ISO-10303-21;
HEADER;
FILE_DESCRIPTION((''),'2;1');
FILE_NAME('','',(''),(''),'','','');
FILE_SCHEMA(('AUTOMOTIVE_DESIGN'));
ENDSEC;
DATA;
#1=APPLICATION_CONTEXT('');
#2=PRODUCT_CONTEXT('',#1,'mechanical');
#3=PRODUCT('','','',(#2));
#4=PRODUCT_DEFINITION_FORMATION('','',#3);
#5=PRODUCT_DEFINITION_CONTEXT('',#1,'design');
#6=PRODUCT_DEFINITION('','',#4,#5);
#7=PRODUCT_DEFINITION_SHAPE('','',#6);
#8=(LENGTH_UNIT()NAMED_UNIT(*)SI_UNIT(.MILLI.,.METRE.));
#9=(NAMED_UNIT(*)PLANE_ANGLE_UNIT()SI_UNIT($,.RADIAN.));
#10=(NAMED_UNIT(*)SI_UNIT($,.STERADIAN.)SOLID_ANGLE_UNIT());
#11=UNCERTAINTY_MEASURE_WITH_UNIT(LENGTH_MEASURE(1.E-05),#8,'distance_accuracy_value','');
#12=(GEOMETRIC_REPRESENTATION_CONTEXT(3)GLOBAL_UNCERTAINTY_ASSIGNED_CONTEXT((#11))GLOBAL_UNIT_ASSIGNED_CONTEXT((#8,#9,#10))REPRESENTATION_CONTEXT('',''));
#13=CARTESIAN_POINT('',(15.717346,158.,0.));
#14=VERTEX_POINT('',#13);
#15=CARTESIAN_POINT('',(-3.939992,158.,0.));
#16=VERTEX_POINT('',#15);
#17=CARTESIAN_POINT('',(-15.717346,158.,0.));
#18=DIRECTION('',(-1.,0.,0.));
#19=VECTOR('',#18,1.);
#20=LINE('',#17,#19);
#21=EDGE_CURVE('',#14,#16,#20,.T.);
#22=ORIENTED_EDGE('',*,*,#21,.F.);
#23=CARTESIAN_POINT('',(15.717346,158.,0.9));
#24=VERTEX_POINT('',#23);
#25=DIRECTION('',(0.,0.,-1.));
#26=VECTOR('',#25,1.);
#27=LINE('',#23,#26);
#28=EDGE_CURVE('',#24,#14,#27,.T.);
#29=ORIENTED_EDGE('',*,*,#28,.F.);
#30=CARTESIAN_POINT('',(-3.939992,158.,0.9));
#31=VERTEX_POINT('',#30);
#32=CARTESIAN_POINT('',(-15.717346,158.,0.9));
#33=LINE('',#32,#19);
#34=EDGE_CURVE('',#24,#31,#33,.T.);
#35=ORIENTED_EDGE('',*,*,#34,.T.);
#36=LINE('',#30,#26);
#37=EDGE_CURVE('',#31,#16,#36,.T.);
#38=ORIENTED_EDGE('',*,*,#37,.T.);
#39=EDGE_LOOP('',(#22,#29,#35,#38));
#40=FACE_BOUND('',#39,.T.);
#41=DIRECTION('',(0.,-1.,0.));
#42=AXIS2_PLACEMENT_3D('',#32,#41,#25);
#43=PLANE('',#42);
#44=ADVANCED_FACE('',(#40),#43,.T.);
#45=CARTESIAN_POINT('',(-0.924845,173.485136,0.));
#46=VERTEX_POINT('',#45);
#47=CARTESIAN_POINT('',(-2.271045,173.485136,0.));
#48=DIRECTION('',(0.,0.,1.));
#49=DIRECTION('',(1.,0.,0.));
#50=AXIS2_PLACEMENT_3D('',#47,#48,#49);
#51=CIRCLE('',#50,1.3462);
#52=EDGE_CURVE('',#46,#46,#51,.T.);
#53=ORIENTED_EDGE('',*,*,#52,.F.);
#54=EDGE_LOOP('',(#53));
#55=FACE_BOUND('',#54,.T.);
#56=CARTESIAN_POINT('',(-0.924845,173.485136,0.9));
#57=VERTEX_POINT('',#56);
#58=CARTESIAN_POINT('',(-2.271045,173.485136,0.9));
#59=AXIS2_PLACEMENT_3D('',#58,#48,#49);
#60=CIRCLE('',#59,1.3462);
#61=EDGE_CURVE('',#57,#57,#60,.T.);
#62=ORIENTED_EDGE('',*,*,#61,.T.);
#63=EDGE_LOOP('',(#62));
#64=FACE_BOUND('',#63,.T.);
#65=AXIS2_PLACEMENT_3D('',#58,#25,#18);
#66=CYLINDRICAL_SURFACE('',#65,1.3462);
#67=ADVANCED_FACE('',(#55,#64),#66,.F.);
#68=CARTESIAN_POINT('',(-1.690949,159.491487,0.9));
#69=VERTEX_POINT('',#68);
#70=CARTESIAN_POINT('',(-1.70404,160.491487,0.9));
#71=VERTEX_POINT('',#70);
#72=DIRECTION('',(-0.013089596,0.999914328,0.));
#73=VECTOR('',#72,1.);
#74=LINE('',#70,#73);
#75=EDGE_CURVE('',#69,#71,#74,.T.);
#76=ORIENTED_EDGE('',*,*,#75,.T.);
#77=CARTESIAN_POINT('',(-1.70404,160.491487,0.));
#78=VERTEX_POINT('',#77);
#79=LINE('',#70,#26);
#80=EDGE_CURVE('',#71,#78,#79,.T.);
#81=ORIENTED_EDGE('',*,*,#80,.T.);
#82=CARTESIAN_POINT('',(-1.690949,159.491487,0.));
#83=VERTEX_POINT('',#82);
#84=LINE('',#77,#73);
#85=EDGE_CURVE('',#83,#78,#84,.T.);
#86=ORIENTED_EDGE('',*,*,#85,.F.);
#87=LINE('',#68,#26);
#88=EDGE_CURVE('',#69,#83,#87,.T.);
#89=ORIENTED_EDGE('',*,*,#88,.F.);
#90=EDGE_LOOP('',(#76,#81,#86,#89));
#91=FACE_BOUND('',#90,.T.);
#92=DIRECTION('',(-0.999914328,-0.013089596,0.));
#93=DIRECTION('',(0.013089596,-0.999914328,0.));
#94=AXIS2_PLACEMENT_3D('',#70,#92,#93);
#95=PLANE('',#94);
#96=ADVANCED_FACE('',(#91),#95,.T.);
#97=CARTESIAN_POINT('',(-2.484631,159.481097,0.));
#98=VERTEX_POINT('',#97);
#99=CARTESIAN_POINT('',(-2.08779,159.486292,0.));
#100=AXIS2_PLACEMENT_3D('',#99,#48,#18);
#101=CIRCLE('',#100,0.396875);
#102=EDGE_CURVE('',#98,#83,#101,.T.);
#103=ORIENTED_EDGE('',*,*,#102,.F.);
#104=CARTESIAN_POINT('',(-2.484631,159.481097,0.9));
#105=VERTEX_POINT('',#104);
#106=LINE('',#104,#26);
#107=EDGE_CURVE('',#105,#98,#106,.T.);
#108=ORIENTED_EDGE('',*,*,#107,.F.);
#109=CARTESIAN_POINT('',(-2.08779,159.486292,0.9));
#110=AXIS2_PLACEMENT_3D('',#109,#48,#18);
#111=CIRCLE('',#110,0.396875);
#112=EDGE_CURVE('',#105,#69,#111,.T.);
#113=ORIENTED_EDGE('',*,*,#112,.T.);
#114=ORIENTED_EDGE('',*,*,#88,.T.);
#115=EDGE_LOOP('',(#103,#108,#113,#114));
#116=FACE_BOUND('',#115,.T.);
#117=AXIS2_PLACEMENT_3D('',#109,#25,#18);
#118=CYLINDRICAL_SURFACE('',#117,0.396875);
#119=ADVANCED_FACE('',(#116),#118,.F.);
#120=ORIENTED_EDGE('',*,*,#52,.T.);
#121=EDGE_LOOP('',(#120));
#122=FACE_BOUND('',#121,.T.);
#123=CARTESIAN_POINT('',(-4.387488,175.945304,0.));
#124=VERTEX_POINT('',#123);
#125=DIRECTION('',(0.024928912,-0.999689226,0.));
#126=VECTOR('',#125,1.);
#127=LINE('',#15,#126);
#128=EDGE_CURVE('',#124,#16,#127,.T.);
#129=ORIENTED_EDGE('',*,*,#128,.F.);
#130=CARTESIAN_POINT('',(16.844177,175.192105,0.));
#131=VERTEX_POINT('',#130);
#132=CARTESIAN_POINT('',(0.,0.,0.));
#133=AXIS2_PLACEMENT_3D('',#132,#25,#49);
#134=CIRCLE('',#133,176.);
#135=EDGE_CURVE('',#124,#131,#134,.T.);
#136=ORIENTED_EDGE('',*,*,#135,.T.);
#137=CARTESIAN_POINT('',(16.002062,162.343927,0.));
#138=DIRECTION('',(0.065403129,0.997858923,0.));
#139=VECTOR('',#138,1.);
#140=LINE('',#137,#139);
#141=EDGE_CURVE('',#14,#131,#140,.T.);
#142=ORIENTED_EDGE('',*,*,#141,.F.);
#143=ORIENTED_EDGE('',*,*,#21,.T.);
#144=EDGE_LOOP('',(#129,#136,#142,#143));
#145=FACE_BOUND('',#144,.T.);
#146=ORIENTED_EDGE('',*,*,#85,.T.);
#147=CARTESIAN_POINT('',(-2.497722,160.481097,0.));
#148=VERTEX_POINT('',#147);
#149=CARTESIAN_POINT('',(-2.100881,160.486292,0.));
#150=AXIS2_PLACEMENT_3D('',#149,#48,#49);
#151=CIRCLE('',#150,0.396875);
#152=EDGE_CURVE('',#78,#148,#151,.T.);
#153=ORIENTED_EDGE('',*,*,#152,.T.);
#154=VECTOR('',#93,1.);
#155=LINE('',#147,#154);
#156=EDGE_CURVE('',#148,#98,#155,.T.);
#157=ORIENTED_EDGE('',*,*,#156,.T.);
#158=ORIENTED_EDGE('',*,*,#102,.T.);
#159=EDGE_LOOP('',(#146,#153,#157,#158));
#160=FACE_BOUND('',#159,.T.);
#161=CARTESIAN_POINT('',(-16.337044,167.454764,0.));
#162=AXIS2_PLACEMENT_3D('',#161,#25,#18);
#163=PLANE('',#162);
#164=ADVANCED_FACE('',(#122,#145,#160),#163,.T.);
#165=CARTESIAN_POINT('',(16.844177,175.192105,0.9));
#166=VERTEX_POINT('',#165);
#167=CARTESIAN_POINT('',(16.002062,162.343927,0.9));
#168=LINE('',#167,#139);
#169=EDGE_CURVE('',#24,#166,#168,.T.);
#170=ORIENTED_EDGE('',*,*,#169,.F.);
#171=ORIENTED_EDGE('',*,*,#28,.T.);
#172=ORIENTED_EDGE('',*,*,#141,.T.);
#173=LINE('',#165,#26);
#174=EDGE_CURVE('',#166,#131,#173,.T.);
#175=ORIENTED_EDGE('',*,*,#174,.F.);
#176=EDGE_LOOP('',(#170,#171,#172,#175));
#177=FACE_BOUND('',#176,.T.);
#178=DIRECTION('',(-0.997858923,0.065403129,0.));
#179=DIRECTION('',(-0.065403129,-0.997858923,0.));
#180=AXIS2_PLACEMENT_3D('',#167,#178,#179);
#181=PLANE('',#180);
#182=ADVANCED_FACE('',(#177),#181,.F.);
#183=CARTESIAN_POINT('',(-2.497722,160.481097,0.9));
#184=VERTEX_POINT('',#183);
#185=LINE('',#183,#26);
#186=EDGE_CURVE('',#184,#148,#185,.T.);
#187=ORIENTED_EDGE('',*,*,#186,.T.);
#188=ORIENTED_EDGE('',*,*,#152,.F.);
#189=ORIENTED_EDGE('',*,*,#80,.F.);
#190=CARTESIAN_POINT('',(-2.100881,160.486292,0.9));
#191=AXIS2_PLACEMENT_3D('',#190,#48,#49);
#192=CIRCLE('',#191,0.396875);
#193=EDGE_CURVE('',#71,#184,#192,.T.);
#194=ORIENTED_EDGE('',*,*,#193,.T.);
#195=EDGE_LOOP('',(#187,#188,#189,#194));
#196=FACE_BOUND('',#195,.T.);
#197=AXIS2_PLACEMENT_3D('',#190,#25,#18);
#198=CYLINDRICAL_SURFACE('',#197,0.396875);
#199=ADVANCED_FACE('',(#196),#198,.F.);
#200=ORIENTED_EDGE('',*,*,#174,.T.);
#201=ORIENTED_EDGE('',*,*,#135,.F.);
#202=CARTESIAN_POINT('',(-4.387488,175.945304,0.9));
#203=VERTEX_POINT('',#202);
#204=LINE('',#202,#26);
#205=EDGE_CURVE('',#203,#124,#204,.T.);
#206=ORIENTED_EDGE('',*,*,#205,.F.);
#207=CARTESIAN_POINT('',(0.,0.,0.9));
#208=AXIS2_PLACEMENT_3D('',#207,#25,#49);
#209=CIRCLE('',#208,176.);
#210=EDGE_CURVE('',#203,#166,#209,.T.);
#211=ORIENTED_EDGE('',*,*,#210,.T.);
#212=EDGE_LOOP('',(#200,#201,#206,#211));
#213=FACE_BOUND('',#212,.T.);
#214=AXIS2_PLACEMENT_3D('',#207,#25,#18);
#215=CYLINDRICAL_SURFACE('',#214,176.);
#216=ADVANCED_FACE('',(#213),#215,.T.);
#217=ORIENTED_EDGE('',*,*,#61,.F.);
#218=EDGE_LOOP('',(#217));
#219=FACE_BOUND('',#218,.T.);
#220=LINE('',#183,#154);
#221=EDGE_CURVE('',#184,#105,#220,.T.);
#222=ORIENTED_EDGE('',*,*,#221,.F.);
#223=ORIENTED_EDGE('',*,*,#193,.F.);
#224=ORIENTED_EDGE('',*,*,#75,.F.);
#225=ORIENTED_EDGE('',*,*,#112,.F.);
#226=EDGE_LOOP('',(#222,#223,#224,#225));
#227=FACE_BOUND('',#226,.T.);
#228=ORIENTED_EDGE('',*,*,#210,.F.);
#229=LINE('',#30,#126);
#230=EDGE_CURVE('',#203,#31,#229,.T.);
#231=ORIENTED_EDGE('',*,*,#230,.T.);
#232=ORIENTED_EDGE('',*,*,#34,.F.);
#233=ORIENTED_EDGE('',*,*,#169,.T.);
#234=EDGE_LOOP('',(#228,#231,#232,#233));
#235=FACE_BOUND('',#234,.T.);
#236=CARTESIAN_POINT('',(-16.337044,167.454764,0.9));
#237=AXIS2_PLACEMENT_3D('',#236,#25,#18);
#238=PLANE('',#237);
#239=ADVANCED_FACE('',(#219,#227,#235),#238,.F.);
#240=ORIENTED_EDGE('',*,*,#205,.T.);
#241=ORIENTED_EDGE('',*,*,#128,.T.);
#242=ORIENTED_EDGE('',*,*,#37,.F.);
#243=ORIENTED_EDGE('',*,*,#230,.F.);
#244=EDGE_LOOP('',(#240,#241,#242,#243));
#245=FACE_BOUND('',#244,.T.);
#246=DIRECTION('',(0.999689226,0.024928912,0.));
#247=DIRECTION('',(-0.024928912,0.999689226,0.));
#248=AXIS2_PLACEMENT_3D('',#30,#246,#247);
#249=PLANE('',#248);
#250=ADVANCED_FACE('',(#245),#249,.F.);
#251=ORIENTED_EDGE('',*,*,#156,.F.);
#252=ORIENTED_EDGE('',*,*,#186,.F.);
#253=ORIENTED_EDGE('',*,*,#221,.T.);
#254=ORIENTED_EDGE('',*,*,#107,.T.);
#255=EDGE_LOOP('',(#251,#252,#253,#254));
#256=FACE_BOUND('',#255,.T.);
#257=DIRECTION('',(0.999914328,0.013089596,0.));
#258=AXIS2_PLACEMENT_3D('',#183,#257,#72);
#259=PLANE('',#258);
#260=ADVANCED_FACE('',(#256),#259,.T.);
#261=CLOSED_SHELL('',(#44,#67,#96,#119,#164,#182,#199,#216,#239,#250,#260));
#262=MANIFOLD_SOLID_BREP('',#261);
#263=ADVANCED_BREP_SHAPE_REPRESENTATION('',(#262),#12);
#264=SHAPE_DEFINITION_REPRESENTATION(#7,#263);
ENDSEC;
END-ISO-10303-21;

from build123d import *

# Parameters (mm, degrees)
EXTRUDE1_DEPTH     = 0.9
EXTRUDE2_DEPTH     = 0.9
SKETCH3_R          = 1.346200001
CUT_EXTRUDE2_DEPTH = 1.9
EXTRUDE3_DEPTH     = 1.9
CUT_EXTRUDE3_DEPTH = 1.9
FILLET1_R          = 0.5
CUT_EXTRUDE4_DEPTH = 1.9


with BuildPart() as part:
    # Sketch1 → Extrude1 (new body)
    with BuildSketch(Plane.XY):
        Polygon((-16.337044405, 167.45476352), (16.337044405, 167.45476352), (16.002062475, 162.343926895), (-16.002062475, 162.343926895), align=None)
    extrude(amount=EXTRUDE1_DEPTH)

    # Sketch2 → Extrude2 (add)
    with BuildSketch(Plane(origin=(0, 0, 0), x_dir=(-1, 0, 0), z_dir=(0, 0, -1))):
        with BuildLine():
            Line((16.84417657, 175.192105175), (15.717346464, 158))
            Line((15.717346464, 158), (-15.717346464, 158))
            Line((-15.717346464, 158), (-16.84417657, 175.192105175))
            ThreePointArc((-16.84417657, 175.192105175), (0, 176), (16.84417657, 175.192105175))
        make_face()
    extrude(amount=-EXTRUDE2_DEPTH)

    # Sketch3 → Cut-Extrude2 (cut, through all)
    with BuildSketch(Plane.XY):
        with Locations((-2.271044833, 173.485135834)):
            Circle(SKETCH3_R)
        with BuildLine():
            Line((-1.704039652, 160.491487345), (-1.690948935, 159.491487345))
            ThreePointArc((-1.690948935, 159.491487345), (-2.082595001, 159.089451413), (-2.484630933, 159.481097479))
            Line((-2.484630933, 159.481097479), (-2.49772165, 160.481097479))
            ThreePointArc((-2.49772165, 160.481097479), (-2.106075584, 160.883133411), (-1.704039652, 160.491487345))
        make_face()
    extrude(amount=CUT_EXTRUDE2_DEPTH, mode=Mode.SUBTRACT)

    # Sketch4 → Extrude3 (cut, through all)
    with BuildSketch(Plane.XY.offset(0.9)):
        with BuildLine():
            Line((-12, 175.590432541), (-12, 171))
            ThreePointArc((-12, 171), (-12.292893219, 170.292893219), (-13, 170))
            Line((-13, 170), (-16.503868017, 170))
            Line((-16.503868017, 170), (-16.84417657, 175.192105175))
            ThreePointArc((-16.84417657, 175.192105175), (-14.423463408, 175.407992131), (-12, 175.590432541))
        make_face()
    extrude(amount=-EXTRUDE3_DEPTH, mode=Mode.SUBTRACT)

    # Sketch5 → Cut-Extrude3 (cut, through all)
    with BuildSketch(Plane.XY.offset(0.9)):
        with BuildLine():
            Line((-5.934879033, 175.899906796), (-5.934879033, 173.754533822))
            Line((-5.934879033, 173.754533822), (-13.425811407, 173.754533822))
            Line((-13.425811407, 173.754533822), (-13.425811407, 175.487172147))
            ThreePointArc((-13.425811407, 175.487172147), (-9.682544658, 175.733458194), (-5.934879033, 175.899906796))
        make_face()
    extrude(amount=-CUT_EXTRUDE3_DEPTH, mode=Mode.SUBTRACT)

    # Fillet1
    fillet1_edges = [part.edges().sort_by_distance(p)[0] for p in [
        (-5.934879033, 173.754533822, 0.45),
    ]]
    fillet(fillet1_edges, radius=FILLET1_R)

    # Sketch6 → Cut-Extrude4 (cut, through all)
    with BuildSketch(Plane(origin=(0, 0, 0), x_dir=(-1, 0, 0), z_dir=(0, 0, -1))):
        with BuildLine():
            Line((3.939992499, 158), (4.387488465, 175.945303845))
            ThreePointArc((4.387488465, 175.945303845), (5.161233662, 175.924306641), (5.934879033, 175.899906796))
            Line((5.934879033, 175.899906796), (5.934879033, 174.254533822))
            ThreePointArc((5.934879033, 174.254533822), (6.081325642, 173.900980431), (6.434879033, 173.754533822))
            Line((6.434879033, 173.754533822), (12, 173.754533822))
            Line((12, 173.754533822), (12, 171))
            ThreePointArc((12, 171), (12.292893219, 170.292893219), (13, 170))
            Line((13, 170), (16.503868017, 170))
            Line((16.503868017, 170), (15.717346464, 158))
            Line((15.717346464, 158), (3.939992499, 158))
        make_face()
    extrude(amount=-CUT_EXTRUDE4_DEPTH, mode=Mode.SUBTRACT)


solid = part.part
